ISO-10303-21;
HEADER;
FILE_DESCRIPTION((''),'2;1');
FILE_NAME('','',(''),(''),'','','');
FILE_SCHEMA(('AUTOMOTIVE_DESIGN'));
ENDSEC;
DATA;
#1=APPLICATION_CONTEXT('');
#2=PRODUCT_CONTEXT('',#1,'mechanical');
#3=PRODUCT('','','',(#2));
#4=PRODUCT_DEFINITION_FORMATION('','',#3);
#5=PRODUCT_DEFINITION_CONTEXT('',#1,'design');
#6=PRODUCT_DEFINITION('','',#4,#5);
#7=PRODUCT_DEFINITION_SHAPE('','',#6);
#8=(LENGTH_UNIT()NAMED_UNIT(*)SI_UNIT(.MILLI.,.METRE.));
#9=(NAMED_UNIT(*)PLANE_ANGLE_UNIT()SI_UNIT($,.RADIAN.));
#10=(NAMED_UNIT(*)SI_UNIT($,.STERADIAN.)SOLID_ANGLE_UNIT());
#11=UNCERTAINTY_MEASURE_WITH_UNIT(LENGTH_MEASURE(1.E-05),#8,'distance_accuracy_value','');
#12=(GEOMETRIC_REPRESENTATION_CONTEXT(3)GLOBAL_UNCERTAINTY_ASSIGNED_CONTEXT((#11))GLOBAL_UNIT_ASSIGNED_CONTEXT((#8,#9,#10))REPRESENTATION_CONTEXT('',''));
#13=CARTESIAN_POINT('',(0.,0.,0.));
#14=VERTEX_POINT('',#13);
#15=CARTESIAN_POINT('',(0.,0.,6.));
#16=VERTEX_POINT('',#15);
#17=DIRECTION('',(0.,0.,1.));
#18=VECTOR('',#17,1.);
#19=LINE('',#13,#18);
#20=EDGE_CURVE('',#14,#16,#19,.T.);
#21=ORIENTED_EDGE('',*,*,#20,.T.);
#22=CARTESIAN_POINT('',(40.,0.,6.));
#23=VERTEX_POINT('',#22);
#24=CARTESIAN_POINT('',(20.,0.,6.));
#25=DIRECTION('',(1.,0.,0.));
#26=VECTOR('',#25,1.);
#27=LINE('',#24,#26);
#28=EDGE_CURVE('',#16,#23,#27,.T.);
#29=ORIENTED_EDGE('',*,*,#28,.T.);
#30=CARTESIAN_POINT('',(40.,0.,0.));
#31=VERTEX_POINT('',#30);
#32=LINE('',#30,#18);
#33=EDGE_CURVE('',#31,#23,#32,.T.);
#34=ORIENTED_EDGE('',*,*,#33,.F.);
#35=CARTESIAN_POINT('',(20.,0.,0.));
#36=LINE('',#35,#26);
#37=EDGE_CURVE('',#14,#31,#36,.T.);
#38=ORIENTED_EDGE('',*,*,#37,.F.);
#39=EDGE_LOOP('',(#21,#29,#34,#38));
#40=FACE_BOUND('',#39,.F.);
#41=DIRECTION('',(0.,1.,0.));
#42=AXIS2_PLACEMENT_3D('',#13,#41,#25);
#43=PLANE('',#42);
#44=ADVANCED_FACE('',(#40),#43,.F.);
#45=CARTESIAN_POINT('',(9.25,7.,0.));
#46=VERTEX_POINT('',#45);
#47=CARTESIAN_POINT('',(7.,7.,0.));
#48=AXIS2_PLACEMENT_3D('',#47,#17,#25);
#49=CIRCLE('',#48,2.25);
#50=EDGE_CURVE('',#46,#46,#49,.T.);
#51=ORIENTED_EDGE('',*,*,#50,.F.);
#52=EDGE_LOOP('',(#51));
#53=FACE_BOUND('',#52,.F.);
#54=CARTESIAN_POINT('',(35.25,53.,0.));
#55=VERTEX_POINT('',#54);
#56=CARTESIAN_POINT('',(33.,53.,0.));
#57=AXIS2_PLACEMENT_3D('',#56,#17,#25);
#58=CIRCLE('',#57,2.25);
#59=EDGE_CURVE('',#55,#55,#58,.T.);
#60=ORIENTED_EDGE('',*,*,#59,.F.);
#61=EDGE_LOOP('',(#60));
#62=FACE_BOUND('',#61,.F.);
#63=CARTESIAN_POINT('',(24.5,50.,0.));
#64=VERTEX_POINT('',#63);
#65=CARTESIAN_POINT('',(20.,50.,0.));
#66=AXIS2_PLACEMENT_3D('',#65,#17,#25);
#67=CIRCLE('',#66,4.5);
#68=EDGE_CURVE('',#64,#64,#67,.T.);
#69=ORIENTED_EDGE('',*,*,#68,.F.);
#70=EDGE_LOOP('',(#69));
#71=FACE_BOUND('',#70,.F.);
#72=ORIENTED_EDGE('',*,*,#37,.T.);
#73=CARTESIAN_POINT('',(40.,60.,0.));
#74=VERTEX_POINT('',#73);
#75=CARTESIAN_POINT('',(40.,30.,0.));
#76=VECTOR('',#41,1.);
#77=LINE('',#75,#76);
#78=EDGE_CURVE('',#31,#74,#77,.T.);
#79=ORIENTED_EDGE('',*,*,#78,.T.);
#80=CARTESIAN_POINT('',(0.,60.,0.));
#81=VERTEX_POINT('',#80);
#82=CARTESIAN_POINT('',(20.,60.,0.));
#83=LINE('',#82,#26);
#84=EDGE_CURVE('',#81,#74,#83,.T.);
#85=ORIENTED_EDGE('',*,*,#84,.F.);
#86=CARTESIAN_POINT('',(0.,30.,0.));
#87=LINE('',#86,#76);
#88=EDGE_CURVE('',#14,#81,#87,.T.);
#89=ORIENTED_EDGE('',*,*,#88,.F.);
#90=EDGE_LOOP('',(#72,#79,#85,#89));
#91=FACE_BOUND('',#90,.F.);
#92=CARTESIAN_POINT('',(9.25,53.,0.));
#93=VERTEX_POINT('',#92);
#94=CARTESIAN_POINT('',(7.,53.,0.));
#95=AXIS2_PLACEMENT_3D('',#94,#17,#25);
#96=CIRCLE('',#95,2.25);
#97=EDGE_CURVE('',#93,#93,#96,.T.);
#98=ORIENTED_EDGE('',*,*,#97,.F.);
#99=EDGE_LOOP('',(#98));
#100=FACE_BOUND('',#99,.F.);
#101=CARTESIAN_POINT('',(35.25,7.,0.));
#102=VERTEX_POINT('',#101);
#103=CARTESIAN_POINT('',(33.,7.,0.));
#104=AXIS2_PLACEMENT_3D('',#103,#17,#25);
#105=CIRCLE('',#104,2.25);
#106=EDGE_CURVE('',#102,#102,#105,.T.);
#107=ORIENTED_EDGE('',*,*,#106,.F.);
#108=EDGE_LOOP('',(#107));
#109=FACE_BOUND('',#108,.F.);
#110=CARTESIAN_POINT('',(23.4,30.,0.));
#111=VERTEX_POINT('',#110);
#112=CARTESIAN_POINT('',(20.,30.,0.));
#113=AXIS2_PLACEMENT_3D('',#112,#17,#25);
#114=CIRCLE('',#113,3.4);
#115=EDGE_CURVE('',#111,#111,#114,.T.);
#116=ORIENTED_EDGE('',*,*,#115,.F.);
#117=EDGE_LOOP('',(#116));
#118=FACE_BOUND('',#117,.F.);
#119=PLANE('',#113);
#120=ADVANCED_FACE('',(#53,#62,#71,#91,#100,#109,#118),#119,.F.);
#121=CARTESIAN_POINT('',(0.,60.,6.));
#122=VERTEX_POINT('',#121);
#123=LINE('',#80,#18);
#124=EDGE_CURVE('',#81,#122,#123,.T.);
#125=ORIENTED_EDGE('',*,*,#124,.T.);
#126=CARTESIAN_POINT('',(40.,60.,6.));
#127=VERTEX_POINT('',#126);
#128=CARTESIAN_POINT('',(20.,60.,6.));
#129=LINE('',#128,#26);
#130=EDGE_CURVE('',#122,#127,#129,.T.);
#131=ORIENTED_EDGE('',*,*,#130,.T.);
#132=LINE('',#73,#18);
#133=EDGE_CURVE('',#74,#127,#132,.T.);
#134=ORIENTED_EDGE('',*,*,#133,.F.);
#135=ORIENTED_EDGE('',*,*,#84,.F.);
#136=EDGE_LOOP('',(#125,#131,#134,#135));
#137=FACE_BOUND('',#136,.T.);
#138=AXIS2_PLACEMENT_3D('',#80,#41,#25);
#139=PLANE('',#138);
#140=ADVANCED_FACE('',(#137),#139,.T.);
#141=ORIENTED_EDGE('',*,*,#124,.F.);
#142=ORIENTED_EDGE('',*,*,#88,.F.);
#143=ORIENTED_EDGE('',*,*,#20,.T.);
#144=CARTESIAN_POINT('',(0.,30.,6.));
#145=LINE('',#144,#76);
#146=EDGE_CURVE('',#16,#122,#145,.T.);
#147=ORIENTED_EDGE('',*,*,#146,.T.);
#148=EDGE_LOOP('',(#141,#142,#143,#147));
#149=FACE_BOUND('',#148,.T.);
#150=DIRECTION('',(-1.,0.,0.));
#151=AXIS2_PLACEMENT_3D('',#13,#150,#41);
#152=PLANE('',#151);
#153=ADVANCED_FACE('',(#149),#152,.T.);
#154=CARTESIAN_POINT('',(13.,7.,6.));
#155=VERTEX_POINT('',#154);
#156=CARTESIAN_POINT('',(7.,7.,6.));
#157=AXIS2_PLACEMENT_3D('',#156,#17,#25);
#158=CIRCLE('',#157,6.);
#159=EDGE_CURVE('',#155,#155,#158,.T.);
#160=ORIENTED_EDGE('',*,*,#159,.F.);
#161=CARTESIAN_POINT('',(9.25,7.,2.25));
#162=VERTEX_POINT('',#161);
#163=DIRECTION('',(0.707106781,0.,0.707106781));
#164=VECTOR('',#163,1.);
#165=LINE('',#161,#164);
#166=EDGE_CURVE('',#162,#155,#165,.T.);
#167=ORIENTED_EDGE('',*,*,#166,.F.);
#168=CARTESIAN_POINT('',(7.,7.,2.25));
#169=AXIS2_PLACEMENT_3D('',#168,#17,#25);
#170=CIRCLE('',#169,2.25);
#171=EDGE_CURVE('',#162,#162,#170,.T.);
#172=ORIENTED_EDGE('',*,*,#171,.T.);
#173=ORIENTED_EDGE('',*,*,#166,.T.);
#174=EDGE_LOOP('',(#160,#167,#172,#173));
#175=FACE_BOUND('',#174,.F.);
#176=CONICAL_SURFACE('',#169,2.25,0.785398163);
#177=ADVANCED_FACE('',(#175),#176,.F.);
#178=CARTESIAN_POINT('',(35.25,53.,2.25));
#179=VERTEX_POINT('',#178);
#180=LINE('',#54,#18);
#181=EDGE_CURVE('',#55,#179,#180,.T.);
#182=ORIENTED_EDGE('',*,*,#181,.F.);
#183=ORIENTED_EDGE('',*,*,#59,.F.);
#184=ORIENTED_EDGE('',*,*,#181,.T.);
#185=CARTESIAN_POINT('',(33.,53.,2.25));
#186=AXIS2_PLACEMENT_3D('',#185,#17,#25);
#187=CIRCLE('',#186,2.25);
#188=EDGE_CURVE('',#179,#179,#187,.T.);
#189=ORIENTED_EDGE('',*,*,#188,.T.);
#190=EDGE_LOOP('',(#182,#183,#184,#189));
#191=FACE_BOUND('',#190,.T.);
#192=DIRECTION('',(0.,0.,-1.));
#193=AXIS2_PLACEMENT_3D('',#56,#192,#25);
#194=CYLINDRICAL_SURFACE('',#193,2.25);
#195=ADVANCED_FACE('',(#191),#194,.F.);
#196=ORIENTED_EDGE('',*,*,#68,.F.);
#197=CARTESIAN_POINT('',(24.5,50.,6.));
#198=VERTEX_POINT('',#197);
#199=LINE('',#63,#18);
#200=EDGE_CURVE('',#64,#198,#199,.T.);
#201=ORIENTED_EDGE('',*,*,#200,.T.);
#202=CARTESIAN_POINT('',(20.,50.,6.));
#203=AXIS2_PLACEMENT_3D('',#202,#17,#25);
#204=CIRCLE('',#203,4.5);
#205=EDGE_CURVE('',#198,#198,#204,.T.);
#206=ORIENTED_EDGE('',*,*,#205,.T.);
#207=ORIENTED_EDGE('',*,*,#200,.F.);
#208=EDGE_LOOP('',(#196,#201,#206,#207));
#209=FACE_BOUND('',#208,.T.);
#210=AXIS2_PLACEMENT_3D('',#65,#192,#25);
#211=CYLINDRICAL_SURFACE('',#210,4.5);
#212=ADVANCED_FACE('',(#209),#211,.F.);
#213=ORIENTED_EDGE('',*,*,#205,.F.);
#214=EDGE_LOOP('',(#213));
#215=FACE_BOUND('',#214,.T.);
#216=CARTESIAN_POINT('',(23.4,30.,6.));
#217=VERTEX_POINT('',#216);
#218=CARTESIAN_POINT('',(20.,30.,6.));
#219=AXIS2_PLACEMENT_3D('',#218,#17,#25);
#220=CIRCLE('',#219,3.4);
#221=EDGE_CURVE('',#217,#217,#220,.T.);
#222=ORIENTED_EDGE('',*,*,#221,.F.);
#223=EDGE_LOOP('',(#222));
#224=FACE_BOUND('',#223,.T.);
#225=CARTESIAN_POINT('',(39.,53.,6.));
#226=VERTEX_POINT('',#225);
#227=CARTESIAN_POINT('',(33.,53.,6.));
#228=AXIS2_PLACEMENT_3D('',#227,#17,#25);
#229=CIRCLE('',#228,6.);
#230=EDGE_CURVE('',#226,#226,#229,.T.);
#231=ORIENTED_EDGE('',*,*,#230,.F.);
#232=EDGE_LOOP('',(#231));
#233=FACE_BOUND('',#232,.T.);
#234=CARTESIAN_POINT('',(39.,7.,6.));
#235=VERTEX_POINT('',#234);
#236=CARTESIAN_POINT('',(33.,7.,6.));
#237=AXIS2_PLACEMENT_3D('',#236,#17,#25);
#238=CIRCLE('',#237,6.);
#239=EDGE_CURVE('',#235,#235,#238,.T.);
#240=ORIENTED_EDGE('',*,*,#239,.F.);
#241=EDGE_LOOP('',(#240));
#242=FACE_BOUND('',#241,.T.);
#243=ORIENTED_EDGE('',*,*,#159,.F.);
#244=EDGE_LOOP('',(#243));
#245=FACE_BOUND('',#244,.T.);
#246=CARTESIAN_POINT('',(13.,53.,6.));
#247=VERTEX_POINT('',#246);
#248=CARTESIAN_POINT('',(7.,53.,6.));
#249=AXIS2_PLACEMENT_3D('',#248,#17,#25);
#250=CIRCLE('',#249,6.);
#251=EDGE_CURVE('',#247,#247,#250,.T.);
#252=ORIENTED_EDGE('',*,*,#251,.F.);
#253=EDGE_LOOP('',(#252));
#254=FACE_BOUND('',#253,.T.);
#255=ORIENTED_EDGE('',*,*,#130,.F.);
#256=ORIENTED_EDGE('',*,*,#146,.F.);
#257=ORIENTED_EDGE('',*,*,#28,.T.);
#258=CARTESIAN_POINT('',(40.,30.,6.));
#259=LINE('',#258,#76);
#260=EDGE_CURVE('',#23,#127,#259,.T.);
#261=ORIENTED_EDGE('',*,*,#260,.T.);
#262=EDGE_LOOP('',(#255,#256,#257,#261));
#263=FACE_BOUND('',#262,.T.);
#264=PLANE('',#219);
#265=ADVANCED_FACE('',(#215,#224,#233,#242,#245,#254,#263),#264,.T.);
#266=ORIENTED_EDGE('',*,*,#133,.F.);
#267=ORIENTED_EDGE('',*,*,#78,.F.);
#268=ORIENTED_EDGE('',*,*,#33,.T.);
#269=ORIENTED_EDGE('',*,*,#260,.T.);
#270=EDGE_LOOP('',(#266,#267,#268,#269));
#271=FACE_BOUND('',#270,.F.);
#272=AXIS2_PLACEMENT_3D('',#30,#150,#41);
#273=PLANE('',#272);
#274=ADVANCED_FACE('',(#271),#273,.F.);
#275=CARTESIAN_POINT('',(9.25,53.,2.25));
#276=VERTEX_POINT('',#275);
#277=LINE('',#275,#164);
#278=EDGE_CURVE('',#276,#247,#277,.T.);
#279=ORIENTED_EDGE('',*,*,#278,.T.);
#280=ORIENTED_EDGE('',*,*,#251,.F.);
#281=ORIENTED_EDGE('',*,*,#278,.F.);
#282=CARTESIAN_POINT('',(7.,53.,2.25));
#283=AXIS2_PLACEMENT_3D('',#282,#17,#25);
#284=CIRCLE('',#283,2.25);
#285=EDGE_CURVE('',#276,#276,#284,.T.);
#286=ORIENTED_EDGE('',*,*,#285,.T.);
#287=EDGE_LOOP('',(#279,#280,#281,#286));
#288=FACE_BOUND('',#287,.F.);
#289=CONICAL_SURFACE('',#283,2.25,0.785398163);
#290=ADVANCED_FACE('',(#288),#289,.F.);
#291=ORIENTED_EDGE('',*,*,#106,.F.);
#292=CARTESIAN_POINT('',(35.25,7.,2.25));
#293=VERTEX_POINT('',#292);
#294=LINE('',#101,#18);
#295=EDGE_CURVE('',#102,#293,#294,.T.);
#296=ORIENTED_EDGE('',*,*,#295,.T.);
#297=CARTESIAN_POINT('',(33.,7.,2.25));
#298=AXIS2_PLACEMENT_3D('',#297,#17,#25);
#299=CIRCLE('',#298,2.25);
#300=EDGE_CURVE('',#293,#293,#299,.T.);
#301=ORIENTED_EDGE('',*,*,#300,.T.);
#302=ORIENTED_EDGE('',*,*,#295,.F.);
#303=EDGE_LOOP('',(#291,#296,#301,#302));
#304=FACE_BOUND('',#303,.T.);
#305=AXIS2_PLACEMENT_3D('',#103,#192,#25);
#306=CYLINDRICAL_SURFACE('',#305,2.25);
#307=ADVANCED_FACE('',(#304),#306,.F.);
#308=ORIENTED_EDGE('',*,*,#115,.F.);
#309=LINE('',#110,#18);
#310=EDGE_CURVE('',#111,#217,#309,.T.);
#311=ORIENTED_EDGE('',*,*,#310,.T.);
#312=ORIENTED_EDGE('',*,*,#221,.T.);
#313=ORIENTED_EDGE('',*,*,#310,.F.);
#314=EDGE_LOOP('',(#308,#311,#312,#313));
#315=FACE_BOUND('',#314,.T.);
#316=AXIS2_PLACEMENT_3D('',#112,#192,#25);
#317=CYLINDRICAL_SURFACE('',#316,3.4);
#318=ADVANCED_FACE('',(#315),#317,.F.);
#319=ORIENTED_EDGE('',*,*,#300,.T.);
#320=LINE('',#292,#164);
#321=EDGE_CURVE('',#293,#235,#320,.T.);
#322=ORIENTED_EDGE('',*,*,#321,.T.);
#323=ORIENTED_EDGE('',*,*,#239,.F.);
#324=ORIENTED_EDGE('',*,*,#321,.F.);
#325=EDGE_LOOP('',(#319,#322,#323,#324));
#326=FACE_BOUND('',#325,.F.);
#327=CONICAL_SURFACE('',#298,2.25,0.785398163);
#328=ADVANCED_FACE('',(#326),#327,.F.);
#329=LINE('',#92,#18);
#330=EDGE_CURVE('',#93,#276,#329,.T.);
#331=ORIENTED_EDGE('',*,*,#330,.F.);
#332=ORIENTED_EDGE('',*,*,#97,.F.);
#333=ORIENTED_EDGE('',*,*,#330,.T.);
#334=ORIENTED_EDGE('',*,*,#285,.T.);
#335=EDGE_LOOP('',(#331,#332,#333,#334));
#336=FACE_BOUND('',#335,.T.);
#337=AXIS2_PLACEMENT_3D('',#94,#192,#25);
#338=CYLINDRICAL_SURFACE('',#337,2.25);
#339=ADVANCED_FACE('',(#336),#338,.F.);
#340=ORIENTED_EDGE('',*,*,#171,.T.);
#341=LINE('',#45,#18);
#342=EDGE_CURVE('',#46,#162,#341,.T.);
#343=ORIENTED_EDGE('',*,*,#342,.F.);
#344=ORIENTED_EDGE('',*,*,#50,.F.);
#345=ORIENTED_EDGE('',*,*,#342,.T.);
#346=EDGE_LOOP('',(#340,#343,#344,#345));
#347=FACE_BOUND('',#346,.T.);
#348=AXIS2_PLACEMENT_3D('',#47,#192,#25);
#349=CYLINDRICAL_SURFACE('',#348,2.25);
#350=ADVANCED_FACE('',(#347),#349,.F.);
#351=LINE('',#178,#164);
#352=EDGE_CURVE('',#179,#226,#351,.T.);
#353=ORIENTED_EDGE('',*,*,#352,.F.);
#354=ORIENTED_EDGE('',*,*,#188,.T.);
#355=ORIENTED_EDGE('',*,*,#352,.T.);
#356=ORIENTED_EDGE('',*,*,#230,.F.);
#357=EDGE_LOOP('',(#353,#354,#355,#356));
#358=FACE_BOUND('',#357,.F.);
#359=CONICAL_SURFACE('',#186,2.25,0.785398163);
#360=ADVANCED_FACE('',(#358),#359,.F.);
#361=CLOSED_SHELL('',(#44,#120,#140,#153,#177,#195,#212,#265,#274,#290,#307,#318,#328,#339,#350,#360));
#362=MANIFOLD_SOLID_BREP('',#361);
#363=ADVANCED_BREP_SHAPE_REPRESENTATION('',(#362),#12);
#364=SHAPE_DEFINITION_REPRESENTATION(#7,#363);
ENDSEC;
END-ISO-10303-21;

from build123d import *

# Parameters (mm, degrees)
F0_W     = 40
F0_H     = 60
F0_R     = 2.25
F0_R_2   = 3.4
F0_R_3   = 4.5
F1_DEPTH = 6
F2_SIZE  = 3.75


with BuildPart() as f1:
    # F0 (on Top) → F1 (new body)
    with BuildSketch(Plane.XY):
        with Locations((20, 30)):
            Rectangle(F0_W, F0_H)
        with Locations((7, 7)):
            Circle(F0_R, mode=Mode.SUBTRACT)
        with Locations((33, 7)):
            Circle(F0_R, mode=Mode.SUBTRACT)
        with Locations((7, 53)):
            Circle(F0_R, mode=Mode.SUBTRACT)
        with Locations((20, 30)):
            Circle(F0_R_2, mode=Mode.SUBTRACT)
        with Locations((20, 50)):
            Circle(F0_R_3, mode=Mode.SUBTRACT)
        with Locations((33, 53)):
            Circle(F0_R, mode=Mode.SUBTRACT)
    extrude(amount=F1_DEPTH)

    # F2
    f2_edges = [f1.edges().sort_by_distance(p)[0] for p in [
        (4.75, 7, 6),
        (30.75, 7, 6),
        (30.75, 53, 6),
        (4.75, 53, 6),
    ]]
    chamfer(f2_edges, length=F2_SIZE)


solid = f1.part
